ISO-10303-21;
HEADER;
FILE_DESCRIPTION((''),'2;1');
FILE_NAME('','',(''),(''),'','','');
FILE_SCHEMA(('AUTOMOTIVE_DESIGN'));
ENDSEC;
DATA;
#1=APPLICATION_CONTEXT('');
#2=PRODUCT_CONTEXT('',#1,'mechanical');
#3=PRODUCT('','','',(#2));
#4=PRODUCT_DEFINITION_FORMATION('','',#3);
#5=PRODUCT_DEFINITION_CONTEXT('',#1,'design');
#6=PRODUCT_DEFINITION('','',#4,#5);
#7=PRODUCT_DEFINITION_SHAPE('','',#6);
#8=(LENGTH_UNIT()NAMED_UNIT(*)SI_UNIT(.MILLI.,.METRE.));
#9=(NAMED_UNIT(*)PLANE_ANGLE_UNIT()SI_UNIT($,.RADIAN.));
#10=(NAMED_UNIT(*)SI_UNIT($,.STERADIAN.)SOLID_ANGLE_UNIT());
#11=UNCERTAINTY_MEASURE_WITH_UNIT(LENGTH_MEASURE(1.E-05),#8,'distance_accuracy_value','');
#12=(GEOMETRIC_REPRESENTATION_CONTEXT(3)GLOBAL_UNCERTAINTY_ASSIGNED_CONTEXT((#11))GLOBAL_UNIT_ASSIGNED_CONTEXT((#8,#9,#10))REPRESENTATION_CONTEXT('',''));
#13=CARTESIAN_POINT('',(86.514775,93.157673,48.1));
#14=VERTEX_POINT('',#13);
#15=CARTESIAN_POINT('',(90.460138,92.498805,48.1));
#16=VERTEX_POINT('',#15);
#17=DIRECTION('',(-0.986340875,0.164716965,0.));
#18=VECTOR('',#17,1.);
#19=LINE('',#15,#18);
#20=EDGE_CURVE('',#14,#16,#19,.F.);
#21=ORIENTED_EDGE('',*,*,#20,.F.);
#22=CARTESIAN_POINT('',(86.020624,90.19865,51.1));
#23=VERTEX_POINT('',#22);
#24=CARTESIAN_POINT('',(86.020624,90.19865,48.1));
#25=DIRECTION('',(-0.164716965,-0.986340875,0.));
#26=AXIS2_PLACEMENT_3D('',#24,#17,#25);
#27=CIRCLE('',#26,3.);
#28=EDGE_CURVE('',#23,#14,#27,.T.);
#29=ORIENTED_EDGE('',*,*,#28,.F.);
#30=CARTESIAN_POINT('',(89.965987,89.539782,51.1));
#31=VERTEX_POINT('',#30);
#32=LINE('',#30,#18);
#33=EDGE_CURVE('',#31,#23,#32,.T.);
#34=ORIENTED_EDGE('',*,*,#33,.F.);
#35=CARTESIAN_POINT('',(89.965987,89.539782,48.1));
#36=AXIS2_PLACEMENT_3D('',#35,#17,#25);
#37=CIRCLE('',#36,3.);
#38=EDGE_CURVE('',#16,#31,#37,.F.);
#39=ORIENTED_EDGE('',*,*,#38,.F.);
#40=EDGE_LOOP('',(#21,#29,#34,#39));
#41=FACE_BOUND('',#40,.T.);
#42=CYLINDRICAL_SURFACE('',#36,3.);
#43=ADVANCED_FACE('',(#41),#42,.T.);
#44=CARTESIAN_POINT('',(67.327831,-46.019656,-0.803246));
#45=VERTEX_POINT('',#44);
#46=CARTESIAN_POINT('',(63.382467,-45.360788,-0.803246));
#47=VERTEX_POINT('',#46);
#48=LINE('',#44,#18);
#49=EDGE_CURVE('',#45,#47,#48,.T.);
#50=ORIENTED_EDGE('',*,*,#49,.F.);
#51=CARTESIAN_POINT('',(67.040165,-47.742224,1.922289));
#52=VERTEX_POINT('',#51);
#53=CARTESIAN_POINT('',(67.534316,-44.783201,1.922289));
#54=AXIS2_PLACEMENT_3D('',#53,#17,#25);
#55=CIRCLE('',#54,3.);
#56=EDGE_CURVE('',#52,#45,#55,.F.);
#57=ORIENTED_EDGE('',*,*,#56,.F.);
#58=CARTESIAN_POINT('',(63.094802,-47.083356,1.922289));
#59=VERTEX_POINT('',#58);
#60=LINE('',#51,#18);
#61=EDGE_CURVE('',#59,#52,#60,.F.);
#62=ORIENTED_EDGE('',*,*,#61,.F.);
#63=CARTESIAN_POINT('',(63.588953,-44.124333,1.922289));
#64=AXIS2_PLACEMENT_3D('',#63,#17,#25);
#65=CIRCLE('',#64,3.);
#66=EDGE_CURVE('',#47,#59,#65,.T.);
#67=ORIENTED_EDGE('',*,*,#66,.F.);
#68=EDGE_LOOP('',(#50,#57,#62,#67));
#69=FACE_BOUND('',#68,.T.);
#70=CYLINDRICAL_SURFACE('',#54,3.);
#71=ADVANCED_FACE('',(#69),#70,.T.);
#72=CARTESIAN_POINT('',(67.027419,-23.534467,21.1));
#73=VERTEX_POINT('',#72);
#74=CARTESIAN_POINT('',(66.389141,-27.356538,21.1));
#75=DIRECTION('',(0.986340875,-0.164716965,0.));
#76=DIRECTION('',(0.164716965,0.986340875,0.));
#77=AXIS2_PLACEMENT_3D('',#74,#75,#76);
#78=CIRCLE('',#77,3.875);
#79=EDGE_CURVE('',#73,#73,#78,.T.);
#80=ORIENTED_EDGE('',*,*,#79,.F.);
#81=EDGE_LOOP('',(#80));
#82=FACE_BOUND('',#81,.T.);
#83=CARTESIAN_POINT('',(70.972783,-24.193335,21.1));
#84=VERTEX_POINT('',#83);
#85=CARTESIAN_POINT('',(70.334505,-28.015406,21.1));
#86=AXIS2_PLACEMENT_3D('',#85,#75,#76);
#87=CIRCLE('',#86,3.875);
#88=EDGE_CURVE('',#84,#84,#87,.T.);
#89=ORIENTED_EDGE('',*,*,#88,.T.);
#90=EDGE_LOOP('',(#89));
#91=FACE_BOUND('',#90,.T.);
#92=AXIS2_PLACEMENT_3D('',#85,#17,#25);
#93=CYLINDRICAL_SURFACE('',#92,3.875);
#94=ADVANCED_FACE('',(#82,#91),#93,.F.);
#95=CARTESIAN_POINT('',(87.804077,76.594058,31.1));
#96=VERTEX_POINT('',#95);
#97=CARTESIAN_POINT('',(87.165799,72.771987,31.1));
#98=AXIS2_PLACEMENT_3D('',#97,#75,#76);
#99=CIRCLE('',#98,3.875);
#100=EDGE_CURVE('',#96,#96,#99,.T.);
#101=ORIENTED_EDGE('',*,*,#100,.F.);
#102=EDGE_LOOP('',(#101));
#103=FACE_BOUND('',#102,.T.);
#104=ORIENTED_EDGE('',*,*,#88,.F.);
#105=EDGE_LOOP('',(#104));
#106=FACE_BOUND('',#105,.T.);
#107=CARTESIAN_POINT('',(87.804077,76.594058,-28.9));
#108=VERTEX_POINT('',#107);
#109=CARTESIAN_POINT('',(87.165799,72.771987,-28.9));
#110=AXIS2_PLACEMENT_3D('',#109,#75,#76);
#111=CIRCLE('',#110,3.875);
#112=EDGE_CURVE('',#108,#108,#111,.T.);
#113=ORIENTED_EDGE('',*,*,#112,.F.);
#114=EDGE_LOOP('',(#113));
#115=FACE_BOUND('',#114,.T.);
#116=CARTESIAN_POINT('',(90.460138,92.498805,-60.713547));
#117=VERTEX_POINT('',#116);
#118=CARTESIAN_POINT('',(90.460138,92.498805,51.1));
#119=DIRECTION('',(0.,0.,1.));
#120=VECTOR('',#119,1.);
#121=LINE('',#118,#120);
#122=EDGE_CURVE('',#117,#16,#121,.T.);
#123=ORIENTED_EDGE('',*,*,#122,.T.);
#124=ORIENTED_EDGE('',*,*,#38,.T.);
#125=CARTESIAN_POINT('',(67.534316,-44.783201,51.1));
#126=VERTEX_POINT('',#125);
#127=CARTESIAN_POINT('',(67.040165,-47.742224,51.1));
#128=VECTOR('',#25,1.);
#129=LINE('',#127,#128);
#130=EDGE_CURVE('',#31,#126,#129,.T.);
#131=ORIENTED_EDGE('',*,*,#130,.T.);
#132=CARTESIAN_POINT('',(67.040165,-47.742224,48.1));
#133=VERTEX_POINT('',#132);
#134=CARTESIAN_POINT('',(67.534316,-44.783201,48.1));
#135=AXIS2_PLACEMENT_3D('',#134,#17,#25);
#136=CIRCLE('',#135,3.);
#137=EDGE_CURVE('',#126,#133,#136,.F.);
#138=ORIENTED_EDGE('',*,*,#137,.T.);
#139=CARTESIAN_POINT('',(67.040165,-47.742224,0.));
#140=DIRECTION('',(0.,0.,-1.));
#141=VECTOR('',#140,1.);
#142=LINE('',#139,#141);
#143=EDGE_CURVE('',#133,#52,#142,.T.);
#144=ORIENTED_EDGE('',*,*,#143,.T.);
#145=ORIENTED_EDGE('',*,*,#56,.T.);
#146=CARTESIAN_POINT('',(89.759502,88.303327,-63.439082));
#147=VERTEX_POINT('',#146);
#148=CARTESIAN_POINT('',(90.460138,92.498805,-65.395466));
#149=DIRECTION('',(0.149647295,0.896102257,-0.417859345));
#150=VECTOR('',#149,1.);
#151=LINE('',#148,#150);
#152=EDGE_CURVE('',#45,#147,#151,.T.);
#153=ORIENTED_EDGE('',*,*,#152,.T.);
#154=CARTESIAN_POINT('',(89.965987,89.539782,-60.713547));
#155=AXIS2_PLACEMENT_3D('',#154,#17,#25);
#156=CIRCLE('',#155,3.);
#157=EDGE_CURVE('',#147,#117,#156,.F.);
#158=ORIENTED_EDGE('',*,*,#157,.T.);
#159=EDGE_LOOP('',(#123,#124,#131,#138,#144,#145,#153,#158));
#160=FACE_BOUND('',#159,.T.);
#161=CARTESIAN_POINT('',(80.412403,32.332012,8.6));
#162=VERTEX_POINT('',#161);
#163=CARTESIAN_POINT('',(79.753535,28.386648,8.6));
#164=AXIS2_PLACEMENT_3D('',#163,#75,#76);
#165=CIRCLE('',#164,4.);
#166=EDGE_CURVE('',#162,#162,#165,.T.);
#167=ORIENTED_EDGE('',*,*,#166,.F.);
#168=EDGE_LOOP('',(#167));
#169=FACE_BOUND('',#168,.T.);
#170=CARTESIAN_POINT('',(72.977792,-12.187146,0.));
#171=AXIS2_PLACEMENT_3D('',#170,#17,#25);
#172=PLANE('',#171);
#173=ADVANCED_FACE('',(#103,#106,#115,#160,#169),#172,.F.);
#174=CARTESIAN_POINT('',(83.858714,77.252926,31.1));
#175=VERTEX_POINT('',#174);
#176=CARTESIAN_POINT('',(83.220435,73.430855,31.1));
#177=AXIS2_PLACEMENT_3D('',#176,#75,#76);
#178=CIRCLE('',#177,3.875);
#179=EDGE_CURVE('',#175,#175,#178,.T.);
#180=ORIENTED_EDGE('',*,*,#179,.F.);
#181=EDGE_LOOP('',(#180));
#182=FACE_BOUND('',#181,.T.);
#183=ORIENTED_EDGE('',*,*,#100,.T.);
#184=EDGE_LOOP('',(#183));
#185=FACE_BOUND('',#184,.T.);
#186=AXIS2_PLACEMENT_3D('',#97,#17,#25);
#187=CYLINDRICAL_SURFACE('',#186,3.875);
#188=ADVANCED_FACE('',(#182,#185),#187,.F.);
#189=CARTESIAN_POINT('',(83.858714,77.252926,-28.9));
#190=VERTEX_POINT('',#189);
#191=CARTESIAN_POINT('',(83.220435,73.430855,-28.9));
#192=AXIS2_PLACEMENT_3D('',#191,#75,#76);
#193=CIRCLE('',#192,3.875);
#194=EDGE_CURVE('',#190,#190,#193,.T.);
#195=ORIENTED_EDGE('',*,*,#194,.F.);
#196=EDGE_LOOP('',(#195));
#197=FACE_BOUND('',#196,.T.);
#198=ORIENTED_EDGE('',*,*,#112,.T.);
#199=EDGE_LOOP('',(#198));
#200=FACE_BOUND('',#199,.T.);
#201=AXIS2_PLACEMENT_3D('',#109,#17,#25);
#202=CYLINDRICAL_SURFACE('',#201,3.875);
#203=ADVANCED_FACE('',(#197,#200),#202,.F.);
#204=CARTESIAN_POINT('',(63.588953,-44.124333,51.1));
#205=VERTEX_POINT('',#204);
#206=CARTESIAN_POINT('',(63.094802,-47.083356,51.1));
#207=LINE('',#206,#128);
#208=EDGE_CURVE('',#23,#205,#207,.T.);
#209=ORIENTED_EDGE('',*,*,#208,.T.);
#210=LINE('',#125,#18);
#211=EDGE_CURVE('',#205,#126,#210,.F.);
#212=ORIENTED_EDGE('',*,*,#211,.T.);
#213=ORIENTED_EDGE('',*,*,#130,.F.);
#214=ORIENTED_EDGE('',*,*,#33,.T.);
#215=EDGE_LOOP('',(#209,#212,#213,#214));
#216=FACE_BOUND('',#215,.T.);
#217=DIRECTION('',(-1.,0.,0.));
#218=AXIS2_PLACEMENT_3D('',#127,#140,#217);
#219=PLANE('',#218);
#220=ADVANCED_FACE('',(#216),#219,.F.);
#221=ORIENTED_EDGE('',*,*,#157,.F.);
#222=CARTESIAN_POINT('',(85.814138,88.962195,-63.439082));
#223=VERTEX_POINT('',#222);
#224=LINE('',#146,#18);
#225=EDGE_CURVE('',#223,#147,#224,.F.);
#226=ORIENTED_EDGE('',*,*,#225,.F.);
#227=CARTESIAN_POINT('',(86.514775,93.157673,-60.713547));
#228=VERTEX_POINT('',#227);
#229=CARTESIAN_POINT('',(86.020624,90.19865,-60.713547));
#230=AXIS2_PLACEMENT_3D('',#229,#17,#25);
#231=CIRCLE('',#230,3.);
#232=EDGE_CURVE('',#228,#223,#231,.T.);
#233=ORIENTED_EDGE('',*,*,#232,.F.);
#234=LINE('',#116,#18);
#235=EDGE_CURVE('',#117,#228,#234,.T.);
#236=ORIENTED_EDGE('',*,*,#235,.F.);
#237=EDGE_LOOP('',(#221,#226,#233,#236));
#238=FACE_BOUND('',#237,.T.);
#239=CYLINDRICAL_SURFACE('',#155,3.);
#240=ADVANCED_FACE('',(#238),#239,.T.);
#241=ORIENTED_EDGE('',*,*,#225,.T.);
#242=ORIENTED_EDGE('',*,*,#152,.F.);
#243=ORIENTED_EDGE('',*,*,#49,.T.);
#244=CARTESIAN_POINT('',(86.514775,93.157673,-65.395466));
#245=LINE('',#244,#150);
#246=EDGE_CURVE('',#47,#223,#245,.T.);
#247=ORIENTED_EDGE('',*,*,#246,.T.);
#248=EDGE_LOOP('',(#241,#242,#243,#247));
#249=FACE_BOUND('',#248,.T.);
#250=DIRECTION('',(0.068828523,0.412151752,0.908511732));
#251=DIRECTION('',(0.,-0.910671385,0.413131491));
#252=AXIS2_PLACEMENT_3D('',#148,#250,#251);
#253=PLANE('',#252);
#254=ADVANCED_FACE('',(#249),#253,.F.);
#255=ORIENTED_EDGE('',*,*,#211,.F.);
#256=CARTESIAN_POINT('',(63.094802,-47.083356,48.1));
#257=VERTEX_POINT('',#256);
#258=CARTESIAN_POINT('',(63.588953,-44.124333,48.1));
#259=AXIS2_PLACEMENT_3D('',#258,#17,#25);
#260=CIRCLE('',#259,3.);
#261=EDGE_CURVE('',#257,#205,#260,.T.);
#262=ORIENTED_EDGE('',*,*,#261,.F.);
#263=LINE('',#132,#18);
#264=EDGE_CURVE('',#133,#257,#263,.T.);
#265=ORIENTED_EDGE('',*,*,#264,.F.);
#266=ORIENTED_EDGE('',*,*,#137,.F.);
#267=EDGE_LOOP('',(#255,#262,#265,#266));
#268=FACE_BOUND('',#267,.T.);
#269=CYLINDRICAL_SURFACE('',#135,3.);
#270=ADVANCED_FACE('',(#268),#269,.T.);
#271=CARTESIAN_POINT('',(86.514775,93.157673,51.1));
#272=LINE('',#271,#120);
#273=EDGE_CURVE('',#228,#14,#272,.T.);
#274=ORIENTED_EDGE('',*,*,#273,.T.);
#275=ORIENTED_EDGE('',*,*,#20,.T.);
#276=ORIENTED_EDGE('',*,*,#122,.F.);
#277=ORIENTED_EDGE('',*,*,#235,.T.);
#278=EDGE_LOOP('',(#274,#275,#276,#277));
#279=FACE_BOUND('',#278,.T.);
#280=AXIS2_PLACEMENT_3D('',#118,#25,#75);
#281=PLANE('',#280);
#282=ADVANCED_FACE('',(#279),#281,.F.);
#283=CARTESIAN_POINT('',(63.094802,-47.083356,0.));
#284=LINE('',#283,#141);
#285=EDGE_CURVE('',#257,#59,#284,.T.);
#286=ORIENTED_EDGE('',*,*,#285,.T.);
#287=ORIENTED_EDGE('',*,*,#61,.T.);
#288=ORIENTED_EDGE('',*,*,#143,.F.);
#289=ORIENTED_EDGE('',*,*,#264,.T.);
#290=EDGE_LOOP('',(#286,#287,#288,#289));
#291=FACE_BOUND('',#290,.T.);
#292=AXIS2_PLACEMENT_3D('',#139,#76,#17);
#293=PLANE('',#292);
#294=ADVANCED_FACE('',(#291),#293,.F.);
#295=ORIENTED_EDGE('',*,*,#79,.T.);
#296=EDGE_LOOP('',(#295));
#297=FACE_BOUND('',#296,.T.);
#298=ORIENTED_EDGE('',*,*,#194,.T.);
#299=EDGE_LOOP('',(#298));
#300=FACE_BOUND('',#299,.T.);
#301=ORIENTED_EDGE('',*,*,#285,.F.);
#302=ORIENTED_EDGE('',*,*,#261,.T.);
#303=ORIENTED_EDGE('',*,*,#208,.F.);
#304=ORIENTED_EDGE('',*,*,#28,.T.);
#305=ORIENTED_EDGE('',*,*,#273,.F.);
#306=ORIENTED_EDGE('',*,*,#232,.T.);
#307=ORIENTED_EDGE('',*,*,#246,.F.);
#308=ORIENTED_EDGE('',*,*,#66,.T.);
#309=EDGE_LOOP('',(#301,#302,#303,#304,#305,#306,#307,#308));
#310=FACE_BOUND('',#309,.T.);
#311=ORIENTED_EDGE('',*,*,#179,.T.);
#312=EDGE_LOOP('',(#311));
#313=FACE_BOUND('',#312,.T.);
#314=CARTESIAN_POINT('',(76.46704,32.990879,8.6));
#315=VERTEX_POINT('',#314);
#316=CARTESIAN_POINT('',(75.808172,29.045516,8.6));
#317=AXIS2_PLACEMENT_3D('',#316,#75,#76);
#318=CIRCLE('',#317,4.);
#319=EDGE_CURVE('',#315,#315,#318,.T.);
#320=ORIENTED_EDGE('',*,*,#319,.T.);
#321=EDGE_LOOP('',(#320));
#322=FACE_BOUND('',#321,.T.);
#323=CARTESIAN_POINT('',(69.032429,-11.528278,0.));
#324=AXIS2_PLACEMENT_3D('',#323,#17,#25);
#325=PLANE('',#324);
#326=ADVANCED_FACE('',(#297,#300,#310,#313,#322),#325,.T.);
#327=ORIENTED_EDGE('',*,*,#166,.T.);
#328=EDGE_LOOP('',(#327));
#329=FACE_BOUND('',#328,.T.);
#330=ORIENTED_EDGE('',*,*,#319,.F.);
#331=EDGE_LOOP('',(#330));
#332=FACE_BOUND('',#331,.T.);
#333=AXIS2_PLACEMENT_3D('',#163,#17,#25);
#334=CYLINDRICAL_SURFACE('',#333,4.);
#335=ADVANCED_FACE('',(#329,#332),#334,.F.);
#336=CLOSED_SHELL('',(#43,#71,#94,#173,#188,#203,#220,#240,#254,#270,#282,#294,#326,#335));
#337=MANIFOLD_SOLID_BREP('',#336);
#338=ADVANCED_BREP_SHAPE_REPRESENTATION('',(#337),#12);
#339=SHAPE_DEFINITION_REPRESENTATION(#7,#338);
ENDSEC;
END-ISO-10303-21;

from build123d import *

# Parameters (mm, degrees)
BOSS_EXTRUDE2_START = 10
SKETCH5_R           = 3.875
SKETCH5_R_2         = 4
BOSS_EXTRUDE2_DEPTH = 4
FILLET1_R           = 3
FILLET2_R           = 3


with BuildPart() as part:
    # Sketch5 → Boss-Extrude2 (new body)
    with BuildSketch(Plane(origin=(59.169020247, -9.881108749, 0), x_dir=(0, 0, -1), z_dir=(0.9863408748405357, -0.16471696518211734, 0)).offset(BOSS_EXTRUDE2_START)):
        Polygon((-51.1, 106.13567165), (65.395465612, 106.13567165), (0, -36.047454034), (-51.1, -36.047454034), align=None)
        with Locations(Location((-31.1, 86.13567165, 0), (0, 0, 90))):
            Circle(SKETCH5_R, mode=Mode.SUBTRACT)
        with Locations(Location((28.9, 86.13567165, 0), (0, 0, 90))):
            Circle(SKETCH5_R, mode=Mode.SUBTRACT)
        with Locations(Location((-8.6, 41.13567165, 0), (0, 0, 90))):
            Circle(SKETCH5_R_2, mode=Mode.SUBTRACT)
        with Locations(Location((-21.1, -16.047454034, 0), (0, 0, 90))):
            Circle(SKETCH5_R, mode=Mode.SUBTRACT)
    extrude(amount=BOSS_EXTRUDE2_DEPTH)

    # Fillet1
    fillet1_edges = [part.edges().sort_by_distance(p)[0] for p in [
        (65.067483514, -47.412789679, 0),
        (65.067483514, -47.412789679, 51.1),
    ]]
    fillet(fillet1_edges, radius=FILLET1_R)

    # Fillet2
    fillet2_edges = [part.edges().sort_by_distance(p)[0] for p in [
        (88.487456476, 92.828238896, 51.1),
        (88.487456476, 92.828238896, -65.395465612),
    ]]
    fillet(fillet2_edges, radius=FILLET2_R)


solid = part.part
